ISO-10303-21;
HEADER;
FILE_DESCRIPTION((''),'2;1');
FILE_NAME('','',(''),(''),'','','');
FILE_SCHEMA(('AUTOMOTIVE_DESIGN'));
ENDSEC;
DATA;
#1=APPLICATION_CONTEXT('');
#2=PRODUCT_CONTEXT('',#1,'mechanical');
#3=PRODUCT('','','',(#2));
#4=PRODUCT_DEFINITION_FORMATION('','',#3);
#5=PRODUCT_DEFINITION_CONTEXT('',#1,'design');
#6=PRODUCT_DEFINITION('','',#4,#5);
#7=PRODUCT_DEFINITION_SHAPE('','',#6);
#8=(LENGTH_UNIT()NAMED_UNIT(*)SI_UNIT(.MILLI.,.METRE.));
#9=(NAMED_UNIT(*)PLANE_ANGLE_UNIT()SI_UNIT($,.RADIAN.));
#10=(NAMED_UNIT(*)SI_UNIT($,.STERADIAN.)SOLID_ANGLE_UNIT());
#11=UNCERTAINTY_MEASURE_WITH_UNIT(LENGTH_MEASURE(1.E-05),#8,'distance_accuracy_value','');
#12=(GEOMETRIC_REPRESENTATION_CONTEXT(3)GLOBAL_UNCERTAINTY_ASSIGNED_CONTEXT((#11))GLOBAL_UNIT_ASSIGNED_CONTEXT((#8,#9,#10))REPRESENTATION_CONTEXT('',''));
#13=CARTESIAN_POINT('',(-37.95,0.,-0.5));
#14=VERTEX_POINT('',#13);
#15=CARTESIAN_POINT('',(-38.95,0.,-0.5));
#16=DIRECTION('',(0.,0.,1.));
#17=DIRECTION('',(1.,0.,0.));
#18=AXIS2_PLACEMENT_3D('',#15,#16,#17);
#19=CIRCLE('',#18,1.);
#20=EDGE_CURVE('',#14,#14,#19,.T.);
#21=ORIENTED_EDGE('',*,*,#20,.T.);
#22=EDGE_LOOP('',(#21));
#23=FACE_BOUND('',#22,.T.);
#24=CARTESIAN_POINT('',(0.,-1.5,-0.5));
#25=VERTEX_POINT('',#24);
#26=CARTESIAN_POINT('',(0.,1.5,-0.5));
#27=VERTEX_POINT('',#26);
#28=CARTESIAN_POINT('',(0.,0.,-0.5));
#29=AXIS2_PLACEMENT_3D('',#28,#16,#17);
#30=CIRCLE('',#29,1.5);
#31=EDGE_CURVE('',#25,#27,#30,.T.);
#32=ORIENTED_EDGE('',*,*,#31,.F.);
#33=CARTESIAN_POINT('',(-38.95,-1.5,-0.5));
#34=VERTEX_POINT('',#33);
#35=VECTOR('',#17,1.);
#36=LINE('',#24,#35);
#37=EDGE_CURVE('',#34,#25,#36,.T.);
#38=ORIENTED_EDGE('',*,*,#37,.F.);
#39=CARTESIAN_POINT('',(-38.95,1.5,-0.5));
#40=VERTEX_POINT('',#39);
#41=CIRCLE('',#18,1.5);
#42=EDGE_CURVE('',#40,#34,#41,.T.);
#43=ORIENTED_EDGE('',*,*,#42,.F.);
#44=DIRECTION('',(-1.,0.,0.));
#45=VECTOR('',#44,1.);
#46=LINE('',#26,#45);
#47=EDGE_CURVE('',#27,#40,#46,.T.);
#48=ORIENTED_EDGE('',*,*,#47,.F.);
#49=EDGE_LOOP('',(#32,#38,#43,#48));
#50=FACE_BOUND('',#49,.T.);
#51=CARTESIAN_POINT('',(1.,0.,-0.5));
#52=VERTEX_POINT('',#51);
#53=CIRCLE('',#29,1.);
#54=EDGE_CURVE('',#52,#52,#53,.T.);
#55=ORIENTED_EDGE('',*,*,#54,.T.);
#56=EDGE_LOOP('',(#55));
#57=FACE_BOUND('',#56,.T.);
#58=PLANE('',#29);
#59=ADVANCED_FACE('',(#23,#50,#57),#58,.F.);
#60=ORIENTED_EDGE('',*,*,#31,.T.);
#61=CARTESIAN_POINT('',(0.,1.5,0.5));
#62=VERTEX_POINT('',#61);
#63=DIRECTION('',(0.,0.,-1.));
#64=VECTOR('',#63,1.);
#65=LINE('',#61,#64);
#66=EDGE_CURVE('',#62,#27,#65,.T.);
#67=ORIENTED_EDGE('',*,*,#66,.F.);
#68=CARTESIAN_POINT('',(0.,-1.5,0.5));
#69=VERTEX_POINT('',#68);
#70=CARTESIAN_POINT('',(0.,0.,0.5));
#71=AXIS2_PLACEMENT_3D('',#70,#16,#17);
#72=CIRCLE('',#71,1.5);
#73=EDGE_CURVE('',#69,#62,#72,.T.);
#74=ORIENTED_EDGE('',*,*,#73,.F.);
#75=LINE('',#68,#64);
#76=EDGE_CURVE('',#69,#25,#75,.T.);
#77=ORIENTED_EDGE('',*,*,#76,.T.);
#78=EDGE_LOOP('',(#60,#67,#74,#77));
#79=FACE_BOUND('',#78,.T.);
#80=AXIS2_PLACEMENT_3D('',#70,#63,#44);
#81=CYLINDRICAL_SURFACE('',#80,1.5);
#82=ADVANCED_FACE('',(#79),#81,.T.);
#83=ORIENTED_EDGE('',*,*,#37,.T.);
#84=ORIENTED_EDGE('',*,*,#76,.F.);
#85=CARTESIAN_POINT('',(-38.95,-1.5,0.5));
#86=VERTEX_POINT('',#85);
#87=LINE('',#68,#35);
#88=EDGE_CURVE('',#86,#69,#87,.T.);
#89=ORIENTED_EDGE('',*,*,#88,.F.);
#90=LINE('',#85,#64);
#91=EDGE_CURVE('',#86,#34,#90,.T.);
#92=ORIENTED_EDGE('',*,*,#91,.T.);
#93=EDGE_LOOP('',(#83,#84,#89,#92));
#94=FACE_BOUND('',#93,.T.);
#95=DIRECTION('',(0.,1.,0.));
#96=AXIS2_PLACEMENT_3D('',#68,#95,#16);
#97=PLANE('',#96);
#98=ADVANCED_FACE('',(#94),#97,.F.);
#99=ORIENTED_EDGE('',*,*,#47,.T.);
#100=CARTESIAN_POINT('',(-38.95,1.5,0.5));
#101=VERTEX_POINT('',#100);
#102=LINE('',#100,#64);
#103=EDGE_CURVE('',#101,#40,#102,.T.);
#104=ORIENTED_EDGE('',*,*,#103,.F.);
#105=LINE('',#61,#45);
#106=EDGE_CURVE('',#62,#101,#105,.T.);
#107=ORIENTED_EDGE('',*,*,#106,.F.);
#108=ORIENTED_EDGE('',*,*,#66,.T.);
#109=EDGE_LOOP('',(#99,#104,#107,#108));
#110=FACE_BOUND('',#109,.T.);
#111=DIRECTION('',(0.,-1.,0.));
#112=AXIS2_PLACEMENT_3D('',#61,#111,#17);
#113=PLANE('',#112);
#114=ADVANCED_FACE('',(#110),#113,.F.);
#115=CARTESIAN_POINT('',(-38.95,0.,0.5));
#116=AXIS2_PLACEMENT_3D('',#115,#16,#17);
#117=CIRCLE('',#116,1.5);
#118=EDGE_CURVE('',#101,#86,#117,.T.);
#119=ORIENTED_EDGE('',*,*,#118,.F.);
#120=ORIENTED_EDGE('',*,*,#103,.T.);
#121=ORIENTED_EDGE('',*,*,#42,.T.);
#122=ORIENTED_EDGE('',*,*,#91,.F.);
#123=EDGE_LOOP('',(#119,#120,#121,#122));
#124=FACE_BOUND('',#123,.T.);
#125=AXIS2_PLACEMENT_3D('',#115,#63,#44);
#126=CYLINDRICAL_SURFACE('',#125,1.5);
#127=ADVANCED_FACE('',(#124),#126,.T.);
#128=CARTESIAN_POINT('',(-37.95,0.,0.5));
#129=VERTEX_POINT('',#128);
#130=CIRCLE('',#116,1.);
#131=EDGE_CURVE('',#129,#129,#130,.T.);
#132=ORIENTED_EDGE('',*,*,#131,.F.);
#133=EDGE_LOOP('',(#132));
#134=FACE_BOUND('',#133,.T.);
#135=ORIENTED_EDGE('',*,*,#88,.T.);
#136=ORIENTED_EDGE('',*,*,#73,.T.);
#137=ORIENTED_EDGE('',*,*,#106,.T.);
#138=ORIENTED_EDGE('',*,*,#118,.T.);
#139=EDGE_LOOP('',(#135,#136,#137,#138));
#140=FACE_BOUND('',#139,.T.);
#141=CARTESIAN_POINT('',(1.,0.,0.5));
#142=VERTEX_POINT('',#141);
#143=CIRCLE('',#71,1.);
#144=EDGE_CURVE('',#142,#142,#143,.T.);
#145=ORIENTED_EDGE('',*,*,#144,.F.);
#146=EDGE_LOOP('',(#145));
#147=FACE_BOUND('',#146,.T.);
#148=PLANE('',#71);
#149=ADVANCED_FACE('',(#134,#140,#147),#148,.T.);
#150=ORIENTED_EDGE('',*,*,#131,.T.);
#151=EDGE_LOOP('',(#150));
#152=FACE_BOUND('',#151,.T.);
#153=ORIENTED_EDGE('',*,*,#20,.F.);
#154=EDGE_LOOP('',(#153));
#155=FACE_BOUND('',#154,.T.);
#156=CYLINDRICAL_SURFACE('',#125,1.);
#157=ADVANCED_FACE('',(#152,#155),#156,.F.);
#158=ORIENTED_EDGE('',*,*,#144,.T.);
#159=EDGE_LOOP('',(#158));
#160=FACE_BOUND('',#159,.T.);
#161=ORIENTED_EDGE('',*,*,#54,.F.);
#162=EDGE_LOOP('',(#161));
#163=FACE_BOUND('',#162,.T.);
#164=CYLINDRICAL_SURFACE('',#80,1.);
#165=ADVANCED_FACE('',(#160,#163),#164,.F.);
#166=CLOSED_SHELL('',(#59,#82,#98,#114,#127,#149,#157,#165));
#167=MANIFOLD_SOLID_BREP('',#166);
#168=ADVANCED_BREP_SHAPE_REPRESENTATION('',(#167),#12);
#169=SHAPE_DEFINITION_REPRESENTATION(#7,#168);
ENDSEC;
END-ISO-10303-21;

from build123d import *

# Parameters (mm, degrees)
SKETCH1_R           = 1
BOSS_EXTRUDE1_DEPTH = 0.5


with BuildPart() as part:
    # Sketch1 → Boss-Extrude1 (new, symmetric)
    with BuildSketch(Plane.XY):
        with BuildLine():
            Line((0, -1.5), (-38.95, -1.5))
            ThreePointArc((-38.95, -1.5), (-40.45, 0), (-38.95, 1.5))
            Line((-38.95, 1.5), (0, 1.5))
            ThreePointArc((0, 1.5), (1.5, 0), (0, -1.5))
        make_face()
        with Locations((-38.95, 0)):
            Circle(SKETCH1_R, mode=Mode.SUBTRACT)
        Circle(SKETCH1_R, mode=Mode.SUBTRACT)
    extrude(amount=BOSS_EXTRUDE1_DEPTH, both=True)


solid = part.part
